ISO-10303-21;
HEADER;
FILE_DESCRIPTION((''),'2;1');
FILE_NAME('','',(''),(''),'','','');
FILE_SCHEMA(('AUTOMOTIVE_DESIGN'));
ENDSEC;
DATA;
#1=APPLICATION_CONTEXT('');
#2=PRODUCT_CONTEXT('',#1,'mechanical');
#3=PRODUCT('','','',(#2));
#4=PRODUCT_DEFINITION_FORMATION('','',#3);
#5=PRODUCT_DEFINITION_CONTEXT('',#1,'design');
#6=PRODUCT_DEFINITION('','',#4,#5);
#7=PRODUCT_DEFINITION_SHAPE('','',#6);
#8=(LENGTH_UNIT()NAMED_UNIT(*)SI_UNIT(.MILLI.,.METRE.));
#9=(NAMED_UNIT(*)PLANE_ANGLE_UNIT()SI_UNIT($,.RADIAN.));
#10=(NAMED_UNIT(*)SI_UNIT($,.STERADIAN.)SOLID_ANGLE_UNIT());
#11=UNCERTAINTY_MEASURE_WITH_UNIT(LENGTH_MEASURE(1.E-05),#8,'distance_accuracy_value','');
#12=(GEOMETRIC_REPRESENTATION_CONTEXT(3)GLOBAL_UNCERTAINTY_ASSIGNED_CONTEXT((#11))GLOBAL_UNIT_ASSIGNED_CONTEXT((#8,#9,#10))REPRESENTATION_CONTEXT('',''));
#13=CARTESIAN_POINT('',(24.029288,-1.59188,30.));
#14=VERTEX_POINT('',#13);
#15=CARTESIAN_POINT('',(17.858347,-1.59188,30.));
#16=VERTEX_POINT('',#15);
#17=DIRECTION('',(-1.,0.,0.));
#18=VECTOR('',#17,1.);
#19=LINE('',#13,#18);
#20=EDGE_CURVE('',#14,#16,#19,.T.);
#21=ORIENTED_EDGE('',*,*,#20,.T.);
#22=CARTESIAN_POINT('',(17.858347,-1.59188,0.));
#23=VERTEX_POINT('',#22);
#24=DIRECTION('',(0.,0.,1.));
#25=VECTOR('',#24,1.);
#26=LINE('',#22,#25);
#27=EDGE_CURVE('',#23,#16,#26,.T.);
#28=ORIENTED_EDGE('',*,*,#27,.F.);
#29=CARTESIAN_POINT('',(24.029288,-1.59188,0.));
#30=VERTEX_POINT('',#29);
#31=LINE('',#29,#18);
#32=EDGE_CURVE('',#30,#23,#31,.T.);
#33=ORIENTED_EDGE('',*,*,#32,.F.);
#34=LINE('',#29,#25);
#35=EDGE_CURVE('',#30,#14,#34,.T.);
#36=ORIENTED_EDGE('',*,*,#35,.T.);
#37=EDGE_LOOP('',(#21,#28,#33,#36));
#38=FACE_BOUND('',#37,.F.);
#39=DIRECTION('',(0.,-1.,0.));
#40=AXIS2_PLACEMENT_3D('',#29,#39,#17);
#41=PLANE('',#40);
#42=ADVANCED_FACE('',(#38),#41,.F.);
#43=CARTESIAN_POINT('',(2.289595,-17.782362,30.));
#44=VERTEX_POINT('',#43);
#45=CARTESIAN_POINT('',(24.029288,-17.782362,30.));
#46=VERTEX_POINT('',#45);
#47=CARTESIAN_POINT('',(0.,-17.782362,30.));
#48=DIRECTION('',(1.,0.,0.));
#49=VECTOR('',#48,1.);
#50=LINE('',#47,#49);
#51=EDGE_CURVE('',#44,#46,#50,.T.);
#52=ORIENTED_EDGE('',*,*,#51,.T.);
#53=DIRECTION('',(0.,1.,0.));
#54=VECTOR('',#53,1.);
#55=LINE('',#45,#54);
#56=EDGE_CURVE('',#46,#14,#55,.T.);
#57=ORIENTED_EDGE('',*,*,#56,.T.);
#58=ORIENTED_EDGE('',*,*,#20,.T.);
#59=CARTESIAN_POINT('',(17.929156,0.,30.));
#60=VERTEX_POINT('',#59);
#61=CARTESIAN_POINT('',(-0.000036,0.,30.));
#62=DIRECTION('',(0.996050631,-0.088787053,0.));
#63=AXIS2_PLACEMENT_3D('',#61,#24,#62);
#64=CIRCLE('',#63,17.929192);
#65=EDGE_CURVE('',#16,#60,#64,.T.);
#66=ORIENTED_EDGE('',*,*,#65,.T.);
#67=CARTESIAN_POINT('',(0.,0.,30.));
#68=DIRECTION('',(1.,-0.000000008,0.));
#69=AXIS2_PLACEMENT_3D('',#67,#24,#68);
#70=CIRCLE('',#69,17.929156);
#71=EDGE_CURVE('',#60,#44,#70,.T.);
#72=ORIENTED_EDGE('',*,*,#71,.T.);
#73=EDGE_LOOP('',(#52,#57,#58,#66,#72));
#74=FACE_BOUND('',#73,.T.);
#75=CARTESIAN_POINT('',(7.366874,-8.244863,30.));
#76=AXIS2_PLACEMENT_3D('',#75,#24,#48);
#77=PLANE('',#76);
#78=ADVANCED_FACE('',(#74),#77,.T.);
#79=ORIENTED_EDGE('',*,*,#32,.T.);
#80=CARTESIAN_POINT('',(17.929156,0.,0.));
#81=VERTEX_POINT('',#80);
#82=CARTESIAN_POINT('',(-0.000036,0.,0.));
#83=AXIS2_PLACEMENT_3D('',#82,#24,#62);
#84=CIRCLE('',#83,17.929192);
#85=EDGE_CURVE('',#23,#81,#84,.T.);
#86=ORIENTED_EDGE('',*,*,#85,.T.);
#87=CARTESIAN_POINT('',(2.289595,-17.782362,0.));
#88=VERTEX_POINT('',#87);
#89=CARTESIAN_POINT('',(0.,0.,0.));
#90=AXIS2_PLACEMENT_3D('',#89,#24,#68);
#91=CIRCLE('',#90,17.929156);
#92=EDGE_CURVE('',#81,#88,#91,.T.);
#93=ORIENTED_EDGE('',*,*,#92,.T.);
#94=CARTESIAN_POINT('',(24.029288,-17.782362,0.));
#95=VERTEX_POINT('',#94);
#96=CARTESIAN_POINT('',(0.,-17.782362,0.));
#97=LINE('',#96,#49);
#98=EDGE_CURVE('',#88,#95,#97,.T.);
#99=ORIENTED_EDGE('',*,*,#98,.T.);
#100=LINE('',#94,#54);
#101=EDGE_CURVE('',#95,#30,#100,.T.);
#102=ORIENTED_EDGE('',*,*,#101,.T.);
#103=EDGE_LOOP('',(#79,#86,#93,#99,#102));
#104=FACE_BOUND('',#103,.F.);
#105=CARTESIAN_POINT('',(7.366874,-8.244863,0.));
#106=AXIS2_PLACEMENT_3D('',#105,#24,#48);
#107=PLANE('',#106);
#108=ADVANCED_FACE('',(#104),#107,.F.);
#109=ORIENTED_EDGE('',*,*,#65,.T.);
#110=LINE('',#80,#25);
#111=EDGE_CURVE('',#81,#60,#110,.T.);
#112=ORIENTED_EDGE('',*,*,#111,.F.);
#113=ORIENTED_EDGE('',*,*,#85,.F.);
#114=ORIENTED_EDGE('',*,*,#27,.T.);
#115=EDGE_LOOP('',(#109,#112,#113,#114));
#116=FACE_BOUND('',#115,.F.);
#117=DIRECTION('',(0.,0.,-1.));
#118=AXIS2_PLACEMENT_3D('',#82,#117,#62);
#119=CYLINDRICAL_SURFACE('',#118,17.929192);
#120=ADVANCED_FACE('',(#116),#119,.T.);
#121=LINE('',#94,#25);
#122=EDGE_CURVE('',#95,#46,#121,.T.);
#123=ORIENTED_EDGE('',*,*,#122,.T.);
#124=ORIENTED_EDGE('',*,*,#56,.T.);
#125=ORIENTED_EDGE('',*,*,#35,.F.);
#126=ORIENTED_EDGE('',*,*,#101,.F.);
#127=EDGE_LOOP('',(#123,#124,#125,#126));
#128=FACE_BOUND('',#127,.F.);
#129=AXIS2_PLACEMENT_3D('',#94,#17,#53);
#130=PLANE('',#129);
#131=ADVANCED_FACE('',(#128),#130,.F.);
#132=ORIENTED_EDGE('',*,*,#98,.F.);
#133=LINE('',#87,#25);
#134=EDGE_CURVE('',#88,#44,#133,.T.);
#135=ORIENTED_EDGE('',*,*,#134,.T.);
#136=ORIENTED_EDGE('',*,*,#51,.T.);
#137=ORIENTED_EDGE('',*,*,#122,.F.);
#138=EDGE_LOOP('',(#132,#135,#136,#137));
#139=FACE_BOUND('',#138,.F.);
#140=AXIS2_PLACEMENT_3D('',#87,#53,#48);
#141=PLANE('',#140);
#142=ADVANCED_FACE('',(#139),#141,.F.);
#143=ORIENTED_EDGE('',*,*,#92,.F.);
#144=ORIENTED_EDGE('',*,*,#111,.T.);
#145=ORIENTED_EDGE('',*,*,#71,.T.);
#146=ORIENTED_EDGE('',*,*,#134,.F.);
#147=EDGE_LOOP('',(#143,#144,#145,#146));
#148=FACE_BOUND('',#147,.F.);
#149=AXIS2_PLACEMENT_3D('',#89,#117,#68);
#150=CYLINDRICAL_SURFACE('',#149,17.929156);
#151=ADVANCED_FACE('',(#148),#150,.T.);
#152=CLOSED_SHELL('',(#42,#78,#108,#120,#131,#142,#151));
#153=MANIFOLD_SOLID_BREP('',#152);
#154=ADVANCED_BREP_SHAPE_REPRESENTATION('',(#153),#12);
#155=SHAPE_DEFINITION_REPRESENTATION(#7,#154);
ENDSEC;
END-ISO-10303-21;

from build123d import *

# Parameters (mm, degrees)
F1_DEPTH = 30


with BuildPart() as f1:
    # F0 (on Top) → F1 (new body)
    with BuildSketch(Plane.XY):
        with BuildLine():
            Line((17.858347, -1.59188), (0, -1.59188))
            Line((0, -1.59188), (0, -17.782362))
            Line((0, -17.782362), (2.289595, -17.782362))
            ThreePointArc((2.289595, -17.782362), (12.923538, -12.427261), (17.858347, -1.59188))
        make_face()
        with BuildLine():
            Line((24.029288, -1.59188), (17.858347, -1.59188))
            ThreePointArc((17.858347, -1.59188), (12.923538, -12.427261), (2.289595, -17.782362))
            Line((2.289595, -17.782362), (24.029288, -17.782362))
            Line((24.029288, -17.782362), (24.029288, -1.59188))
        make_face()
        with BuildLine():
            Line((0, -17.782362), (0, -1.59188))
            Line((0, -1.59188), (17.858347, -1.59188))
            ThreePointArc((17.858347, -1.59188), (17.911445, -0.796727), (17.929156, 0))
            ThreePointArc((17.929156, 0), (-13.463008, 11.840696), (2.289595, -17.782362))
            Line((2.289595, -17.782362), (0, -17.782362))
        make_face()
    extrude(amount=F1_DEPTH)


solid = f1.part
